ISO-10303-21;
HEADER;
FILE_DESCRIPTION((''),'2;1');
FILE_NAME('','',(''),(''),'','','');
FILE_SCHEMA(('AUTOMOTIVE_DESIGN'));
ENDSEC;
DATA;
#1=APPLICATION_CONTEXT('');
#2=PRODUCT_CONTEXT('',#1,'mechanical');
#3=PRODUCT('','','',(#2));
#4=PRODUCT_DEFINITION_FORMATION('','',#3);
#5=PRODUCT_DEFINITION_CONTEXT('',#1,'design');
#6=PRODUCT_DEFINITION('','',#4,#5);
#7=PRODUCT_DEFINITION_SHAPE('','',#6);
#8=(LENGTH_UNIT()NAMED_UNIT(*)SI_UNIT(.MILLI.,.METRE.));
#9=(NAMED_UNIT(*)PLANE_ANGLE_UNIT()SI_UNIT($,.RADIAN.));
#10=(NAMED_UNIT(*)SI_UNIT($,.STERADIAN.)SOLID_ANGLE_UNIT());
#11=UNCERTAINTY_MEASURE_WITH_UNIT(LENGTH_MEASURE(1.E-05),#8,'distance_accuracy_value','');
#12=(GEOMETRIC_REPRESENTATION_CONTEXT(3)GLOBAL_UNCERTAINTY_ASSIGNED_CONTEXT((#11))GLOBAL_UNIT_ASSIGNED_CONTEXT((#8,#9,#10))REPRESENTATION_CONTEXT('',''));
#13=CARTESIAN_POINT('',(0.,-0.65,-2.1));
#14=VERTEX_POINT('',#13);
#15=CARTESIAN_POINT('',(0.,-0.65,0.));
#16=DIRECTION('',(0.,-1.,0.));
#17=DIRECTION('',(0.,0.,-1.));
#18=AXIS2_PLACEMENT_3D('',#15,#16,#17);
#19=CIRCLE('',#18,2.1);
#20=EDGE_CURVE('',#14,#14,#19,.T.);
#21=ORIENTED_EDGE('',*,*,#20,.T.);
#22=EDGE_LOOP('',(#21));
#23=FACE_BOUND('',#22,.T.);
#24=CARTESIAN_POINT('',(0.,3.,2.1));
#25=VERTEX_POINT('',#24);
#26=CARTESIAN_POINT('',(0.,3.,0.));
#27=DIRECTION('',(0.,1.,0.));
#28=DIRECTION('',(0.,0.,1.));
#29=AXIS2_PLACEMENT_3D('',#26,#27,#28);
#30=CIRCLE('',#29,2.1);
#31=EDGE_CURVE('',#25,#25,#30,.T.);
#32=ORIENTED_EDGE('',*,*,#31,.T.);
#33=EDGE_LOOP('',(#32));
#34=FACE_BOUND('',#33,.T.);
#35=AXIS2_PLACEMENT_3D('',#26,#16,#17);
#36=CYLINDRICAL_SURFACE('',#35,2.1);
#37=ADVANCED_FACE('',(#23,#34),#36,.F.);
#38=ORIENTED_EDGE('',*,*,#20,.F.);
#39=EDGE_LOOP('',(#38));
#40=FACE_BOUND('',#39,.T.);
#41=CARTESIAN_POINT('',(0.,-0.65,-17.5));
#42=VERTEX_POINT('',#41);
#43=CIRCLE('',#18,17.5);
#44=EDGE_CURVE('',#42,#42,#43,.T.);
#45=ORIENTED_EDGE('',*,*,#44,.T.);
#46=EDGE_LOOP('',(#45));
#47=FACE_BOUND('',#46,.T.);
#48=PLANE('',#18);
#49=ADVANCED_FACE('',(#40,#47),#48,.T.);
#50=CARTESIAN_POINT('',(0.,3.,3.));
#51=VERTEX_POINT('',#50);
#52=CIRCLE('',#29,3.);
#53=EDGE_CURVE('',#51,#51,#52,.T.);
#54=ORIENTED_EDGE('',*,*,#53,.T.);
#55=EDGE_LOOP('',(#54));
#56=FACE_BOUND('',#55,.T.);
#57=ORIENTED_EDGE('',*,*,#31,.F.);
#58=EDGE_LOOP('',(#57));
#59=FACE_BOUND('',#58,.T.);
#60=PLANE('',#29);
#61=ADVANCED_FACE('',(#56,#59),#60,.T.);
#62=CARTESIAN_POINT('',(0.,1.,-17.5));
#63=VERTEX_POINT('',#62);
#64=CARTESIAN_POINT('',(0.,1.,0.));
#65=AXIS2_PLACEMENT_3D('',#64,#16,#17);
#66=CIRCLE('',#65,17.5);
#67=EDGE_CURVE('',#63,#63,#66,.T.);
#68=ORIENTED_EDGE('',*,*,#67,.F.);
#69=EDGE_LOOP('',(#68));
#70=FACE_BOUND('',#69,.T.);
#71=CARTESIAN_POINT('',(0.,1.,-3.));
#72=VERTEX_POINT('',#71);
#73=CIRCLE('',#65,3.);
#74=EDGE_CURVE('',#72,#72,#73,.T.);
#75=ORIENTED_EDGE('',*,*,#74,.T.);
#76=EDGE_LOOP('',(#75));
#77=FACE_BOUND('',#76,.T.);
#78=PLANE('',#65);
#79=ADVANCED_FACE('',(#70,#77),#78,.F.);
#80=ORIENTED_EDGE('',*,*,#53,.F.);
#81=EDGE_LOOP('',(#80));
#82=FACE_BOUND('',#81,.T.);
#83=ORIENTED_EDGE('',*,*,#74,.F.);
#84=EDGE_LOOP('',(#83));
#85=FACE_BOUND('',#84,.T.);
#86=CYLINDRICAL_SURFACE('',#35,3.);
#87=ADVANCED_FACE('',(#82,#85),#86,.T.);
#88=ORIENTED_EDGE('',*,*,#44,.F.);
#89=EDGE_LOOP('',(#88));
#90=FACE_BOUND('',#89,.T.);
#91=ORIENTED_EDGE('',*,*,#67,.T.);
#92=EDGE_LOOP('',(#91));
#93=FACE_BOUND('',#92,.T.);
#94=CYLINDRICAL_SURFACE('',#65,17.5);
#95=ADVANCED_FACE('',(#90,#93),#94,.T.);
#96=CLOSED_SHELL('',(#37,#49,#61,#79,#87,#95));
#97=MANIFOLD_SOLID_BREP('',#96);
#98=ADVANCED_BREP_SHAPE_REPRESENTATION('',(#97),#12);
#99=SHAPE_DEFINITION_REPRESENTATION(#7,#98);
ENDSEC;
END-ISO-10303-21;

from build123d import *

# Parameters (mm, degrees)
SKETCH_1_R           = 3
SKETCH_1_R_2         = 2.1
EXTRUDE_1_DEPTH      = 3
EXTRUDE_2_DEPTH      = 0.65
EXTRUDE_2_DEPTH_BACK = 1
SKETCH_2_R           = 17.5
SKETCH_2_R_2         = 2.1


with BuildPart() as part:
    # ｽｹｯﾁ1 → ﾎﾞｽ - 押し出し1 (new body)
    with BuildSketch(Plane(origin=(0, 0, 0), x_dir=(1, 0, 0), z_dir=(0, 1, 0))):
        with Locations(Location((0, 0, 0), (0, 0, 270))):
            Circle(SKETCH_1_R)
        with Locations(Location((0, 0, 0), (0, 0, 270))):
            Circle(SKETCH_1_R_2, mode=Mode.SUBTRACT)
    extrude(amount=EXTRUDE_1_DEPTH)

    # ｽｹｯﾁ2 → ﾎﾞｽ - 押し出し2 (add, two sides: drawn at the far end of the back side and taken through both)
    with BuildSketch(Plane.XZ.offset(-EXTRUDE_2_DEPTH_BACK)):
        with Locations(Location((0, 0, 0), (0, 0, 270))):
            Circle(SKETCH_2_R)
        with Locations(Location((0, 0, 0), (0, 0, 270))):
            Circle(SKETCH_2_R_2, mode=Mode.SUBTRACT)
    extrude(amount=EXTRUDE_2_DEPTH + EXTRUDE_2_DEPTH_BACK)


solid = part.part
